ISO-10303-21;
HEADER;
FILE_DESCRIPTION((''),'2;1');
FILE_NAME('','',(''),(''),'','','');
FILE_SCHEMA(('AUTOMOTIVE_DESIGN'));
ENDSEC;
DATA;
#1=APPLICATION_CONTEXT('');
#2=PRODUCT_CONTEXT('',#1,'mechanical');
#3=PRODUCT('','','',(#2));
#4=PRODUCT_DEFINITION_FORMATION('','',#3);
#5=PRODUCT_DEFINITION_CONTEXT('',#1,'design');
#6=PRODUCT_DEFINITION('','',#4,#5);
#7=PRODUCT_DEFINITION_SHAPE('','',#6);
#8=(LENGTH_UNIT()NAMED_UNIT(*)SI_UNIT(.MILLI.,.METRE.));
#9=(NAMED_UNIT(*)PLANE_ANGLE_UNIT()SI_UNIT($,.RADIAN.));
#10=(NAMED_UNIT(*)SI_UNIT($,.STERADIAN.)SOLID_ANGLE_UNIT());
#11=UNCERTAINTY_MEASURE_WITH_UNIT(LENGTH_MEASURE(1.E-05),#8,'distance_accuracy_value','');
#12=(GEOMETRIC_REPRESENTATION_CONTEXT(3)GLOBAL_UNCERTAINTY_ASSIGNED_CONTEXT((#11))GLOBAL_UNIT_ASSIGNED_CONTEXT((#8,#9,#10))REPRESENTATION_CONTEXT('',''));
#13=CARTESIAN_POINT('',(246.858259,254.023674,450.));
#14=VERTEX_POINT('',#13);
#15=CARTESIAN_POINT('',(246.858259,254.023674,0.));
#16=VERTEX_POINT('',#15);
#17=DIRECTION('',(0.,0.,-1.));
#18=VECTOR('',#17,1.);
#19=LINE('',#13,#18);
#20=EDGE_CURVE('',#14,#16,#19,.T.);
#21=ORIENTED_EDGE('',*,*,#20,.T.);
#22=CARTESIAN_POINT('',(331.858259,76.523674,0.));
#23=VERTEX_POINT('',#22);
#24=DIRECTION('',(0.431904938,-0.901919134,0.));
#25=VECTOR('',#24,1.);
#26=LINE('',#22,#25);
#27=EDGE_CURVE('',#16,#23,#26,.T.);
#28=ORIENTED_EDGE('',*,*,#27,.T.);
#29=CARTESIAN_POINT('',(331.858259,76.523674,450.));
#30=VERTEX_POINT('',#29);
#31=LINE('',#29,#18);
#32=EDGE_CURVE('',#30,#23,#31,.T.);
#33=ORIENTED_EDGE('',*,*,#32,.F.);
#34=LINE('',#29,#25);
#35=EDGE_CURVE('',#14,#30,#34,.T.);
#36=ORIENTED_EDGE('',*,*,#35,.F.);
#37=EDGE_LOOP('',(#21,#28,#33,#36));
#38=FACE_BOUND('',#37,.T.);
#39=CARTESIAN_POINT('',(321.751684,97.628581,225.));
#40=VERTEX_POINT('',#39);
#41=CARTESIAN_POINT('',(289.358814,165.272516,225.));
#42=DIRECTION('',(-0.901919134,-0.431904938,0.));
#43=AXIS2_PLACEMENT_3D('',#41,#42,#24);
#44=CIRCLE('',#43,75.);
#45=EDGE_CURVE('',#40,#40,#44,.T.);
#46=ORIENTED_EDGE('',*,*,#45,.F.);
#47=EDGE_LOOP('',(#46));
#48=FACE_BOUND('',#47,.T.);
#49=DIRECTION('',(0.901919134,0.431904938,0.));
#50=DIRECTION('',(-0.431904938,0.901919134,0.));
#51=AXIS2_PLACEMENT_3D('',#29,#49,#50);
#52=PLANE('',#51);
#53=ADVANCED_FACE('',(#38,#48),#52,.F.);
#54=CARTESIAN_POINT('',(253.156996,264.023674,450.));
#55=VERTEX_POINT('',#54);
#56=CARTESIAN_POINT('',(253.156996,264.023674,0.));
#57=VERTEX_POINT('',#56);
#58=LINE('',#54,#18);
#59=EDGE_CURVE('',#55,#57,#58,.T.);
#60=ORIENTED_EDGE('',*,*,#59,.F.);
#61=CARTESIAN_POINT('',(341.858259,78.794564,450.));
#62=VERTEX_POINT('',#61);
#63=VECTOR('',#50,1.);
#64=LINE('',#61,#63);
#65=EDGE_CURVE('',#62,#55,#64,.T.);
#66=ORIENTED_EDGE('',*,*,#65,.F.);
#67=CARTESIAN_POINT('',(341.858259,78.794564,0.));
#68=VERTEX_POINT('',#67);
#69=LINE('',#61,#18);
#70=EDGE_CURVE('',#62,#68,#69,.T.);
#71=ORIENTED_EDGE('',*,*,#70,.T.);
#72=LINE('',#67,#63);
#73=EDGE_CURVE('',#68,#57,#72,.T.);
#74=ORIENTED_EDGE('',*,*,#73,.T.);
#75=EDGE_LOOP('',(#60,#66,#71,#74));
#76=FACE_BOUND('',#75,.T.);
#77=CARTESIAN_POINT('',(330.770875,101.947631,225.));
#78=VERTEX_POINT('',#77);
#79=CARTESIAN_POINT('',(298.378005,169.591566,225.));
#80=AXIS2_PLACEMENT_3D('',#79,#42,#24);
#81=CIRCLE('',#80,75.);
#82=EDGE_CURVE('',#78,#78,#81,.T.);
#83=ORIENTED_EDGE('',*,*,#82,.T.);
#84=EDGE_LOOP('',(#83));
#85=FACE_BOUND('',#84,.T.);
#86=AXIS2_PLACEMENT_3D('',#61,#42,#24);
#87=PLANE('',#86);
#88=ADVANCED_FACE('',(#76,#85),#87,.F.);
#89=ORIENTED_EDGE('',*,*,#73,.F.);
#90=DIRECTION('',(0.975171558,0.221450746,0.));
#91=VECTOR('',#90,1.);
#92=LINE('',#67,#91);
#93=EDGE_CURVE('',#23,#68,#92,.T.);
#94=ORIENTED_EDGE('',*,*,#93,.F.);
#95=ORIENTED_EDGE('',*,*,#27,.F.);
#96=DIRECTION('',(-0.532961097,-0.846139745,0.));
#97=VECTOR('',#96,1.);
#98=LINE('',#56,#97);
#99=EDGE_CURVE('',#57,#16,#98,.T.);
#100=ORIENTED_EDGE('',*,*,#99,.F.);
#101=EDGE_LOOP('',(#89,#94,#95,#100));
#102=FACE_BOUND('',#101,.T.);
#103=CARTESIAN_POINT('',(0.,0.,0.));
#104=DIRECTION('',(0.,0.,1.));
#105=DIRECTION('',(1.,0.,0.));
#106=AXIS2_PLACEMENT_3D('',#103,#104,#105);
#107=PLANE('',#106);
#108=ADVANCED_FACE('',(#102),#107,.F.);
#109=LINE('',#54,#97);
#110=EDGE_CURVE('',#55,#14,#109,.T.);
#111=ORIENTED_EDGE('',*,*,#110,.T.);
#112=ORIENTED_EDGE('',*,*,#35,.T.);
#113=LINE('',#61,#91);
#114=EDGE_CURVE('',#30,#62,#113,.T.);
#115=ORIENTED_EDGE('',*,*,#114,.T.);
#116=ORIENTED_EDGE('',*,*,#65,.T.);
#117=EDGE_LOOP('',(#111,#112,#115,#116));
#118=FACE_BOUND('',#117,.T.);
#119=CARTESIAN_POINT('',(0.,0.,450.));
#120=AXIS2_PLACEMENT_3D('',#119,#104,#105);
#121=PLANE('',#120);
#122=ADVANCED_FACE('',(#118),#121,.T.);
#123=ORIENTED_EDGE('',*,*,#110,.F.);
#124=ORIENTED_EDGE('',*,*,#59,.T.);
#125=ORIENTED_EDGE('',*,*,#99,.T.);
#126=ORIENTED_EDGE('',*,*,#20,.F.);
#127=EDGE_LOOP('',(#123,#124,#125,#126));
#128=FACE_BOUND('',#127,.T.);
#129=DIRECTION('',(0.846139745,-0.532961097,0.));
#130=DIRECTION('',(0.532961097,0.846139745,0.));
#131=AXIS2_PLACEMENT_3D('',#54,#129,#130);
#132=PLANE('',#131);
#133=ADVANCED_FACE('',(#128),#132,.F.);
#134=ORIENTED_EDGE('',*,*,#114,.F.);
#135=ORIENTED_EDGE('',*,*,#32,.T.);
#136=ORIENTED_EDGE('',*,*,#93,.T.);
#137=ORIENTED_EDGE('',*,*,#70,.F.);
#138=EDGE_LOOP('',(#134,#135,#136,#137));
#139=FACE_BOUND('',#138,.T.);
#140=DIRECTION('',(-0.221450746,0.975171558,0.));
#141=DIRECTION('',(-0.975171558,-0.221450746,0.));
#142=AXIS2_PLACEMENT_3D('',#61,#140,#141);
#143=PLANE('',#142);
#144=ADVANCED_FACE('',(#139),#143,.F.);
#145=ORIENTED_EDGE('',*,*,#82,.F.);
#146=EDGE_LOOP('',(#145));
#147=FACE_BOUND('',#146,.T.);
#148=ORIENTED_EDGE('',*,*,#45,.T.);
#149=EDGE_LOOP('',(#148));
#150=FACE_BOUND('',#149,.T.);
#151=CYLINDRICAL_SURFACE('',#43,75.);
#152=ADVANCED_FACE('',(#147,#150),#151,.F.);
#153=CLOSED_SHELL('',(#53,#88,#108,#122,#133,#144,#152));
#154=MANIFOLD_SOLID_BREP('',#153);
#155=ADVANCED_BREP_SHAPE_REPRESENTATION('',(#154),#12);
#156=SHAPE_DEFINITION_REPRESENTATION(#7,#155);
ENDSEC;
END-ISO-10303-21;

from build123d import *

# Parameters (mm, degrees)
AUFSATZ_LINEAR_AUSTRAGEN1_DEPTH  = 450
F_15_0_15_DURCHMESSER_BOHRUNG1_D = 150


with BuildPart() as part:
    # Skizze1 → Aufsatz-Linear austragen1 (new body)
    with BuildSketch(Plane.XY):
        Polygon((253.156995608, 264.02367356), (246.858259494, 254.02367356), (331.858259494, 76.52367356), (341.858259494, 78.794563683), align=None)
    extrude(amount=AUFSATZ_LINEAR_AUSTRAGEN1_DEPTH)

    # Ø15.0 (15) Durchmesser Bohrung1 (through all)
    with Locations(Plane(origin=(299.762083925, 143.548040189, 0), x_dir=(0, 0, 1), z_dir=(-0.901919134, -0.431904938, 0))):
        with Locations((225, 24.086944564)):
            Hole(F_15_0_15_DURCHMESSER_BOHRUNG1_D / 2)


solid = part.part
